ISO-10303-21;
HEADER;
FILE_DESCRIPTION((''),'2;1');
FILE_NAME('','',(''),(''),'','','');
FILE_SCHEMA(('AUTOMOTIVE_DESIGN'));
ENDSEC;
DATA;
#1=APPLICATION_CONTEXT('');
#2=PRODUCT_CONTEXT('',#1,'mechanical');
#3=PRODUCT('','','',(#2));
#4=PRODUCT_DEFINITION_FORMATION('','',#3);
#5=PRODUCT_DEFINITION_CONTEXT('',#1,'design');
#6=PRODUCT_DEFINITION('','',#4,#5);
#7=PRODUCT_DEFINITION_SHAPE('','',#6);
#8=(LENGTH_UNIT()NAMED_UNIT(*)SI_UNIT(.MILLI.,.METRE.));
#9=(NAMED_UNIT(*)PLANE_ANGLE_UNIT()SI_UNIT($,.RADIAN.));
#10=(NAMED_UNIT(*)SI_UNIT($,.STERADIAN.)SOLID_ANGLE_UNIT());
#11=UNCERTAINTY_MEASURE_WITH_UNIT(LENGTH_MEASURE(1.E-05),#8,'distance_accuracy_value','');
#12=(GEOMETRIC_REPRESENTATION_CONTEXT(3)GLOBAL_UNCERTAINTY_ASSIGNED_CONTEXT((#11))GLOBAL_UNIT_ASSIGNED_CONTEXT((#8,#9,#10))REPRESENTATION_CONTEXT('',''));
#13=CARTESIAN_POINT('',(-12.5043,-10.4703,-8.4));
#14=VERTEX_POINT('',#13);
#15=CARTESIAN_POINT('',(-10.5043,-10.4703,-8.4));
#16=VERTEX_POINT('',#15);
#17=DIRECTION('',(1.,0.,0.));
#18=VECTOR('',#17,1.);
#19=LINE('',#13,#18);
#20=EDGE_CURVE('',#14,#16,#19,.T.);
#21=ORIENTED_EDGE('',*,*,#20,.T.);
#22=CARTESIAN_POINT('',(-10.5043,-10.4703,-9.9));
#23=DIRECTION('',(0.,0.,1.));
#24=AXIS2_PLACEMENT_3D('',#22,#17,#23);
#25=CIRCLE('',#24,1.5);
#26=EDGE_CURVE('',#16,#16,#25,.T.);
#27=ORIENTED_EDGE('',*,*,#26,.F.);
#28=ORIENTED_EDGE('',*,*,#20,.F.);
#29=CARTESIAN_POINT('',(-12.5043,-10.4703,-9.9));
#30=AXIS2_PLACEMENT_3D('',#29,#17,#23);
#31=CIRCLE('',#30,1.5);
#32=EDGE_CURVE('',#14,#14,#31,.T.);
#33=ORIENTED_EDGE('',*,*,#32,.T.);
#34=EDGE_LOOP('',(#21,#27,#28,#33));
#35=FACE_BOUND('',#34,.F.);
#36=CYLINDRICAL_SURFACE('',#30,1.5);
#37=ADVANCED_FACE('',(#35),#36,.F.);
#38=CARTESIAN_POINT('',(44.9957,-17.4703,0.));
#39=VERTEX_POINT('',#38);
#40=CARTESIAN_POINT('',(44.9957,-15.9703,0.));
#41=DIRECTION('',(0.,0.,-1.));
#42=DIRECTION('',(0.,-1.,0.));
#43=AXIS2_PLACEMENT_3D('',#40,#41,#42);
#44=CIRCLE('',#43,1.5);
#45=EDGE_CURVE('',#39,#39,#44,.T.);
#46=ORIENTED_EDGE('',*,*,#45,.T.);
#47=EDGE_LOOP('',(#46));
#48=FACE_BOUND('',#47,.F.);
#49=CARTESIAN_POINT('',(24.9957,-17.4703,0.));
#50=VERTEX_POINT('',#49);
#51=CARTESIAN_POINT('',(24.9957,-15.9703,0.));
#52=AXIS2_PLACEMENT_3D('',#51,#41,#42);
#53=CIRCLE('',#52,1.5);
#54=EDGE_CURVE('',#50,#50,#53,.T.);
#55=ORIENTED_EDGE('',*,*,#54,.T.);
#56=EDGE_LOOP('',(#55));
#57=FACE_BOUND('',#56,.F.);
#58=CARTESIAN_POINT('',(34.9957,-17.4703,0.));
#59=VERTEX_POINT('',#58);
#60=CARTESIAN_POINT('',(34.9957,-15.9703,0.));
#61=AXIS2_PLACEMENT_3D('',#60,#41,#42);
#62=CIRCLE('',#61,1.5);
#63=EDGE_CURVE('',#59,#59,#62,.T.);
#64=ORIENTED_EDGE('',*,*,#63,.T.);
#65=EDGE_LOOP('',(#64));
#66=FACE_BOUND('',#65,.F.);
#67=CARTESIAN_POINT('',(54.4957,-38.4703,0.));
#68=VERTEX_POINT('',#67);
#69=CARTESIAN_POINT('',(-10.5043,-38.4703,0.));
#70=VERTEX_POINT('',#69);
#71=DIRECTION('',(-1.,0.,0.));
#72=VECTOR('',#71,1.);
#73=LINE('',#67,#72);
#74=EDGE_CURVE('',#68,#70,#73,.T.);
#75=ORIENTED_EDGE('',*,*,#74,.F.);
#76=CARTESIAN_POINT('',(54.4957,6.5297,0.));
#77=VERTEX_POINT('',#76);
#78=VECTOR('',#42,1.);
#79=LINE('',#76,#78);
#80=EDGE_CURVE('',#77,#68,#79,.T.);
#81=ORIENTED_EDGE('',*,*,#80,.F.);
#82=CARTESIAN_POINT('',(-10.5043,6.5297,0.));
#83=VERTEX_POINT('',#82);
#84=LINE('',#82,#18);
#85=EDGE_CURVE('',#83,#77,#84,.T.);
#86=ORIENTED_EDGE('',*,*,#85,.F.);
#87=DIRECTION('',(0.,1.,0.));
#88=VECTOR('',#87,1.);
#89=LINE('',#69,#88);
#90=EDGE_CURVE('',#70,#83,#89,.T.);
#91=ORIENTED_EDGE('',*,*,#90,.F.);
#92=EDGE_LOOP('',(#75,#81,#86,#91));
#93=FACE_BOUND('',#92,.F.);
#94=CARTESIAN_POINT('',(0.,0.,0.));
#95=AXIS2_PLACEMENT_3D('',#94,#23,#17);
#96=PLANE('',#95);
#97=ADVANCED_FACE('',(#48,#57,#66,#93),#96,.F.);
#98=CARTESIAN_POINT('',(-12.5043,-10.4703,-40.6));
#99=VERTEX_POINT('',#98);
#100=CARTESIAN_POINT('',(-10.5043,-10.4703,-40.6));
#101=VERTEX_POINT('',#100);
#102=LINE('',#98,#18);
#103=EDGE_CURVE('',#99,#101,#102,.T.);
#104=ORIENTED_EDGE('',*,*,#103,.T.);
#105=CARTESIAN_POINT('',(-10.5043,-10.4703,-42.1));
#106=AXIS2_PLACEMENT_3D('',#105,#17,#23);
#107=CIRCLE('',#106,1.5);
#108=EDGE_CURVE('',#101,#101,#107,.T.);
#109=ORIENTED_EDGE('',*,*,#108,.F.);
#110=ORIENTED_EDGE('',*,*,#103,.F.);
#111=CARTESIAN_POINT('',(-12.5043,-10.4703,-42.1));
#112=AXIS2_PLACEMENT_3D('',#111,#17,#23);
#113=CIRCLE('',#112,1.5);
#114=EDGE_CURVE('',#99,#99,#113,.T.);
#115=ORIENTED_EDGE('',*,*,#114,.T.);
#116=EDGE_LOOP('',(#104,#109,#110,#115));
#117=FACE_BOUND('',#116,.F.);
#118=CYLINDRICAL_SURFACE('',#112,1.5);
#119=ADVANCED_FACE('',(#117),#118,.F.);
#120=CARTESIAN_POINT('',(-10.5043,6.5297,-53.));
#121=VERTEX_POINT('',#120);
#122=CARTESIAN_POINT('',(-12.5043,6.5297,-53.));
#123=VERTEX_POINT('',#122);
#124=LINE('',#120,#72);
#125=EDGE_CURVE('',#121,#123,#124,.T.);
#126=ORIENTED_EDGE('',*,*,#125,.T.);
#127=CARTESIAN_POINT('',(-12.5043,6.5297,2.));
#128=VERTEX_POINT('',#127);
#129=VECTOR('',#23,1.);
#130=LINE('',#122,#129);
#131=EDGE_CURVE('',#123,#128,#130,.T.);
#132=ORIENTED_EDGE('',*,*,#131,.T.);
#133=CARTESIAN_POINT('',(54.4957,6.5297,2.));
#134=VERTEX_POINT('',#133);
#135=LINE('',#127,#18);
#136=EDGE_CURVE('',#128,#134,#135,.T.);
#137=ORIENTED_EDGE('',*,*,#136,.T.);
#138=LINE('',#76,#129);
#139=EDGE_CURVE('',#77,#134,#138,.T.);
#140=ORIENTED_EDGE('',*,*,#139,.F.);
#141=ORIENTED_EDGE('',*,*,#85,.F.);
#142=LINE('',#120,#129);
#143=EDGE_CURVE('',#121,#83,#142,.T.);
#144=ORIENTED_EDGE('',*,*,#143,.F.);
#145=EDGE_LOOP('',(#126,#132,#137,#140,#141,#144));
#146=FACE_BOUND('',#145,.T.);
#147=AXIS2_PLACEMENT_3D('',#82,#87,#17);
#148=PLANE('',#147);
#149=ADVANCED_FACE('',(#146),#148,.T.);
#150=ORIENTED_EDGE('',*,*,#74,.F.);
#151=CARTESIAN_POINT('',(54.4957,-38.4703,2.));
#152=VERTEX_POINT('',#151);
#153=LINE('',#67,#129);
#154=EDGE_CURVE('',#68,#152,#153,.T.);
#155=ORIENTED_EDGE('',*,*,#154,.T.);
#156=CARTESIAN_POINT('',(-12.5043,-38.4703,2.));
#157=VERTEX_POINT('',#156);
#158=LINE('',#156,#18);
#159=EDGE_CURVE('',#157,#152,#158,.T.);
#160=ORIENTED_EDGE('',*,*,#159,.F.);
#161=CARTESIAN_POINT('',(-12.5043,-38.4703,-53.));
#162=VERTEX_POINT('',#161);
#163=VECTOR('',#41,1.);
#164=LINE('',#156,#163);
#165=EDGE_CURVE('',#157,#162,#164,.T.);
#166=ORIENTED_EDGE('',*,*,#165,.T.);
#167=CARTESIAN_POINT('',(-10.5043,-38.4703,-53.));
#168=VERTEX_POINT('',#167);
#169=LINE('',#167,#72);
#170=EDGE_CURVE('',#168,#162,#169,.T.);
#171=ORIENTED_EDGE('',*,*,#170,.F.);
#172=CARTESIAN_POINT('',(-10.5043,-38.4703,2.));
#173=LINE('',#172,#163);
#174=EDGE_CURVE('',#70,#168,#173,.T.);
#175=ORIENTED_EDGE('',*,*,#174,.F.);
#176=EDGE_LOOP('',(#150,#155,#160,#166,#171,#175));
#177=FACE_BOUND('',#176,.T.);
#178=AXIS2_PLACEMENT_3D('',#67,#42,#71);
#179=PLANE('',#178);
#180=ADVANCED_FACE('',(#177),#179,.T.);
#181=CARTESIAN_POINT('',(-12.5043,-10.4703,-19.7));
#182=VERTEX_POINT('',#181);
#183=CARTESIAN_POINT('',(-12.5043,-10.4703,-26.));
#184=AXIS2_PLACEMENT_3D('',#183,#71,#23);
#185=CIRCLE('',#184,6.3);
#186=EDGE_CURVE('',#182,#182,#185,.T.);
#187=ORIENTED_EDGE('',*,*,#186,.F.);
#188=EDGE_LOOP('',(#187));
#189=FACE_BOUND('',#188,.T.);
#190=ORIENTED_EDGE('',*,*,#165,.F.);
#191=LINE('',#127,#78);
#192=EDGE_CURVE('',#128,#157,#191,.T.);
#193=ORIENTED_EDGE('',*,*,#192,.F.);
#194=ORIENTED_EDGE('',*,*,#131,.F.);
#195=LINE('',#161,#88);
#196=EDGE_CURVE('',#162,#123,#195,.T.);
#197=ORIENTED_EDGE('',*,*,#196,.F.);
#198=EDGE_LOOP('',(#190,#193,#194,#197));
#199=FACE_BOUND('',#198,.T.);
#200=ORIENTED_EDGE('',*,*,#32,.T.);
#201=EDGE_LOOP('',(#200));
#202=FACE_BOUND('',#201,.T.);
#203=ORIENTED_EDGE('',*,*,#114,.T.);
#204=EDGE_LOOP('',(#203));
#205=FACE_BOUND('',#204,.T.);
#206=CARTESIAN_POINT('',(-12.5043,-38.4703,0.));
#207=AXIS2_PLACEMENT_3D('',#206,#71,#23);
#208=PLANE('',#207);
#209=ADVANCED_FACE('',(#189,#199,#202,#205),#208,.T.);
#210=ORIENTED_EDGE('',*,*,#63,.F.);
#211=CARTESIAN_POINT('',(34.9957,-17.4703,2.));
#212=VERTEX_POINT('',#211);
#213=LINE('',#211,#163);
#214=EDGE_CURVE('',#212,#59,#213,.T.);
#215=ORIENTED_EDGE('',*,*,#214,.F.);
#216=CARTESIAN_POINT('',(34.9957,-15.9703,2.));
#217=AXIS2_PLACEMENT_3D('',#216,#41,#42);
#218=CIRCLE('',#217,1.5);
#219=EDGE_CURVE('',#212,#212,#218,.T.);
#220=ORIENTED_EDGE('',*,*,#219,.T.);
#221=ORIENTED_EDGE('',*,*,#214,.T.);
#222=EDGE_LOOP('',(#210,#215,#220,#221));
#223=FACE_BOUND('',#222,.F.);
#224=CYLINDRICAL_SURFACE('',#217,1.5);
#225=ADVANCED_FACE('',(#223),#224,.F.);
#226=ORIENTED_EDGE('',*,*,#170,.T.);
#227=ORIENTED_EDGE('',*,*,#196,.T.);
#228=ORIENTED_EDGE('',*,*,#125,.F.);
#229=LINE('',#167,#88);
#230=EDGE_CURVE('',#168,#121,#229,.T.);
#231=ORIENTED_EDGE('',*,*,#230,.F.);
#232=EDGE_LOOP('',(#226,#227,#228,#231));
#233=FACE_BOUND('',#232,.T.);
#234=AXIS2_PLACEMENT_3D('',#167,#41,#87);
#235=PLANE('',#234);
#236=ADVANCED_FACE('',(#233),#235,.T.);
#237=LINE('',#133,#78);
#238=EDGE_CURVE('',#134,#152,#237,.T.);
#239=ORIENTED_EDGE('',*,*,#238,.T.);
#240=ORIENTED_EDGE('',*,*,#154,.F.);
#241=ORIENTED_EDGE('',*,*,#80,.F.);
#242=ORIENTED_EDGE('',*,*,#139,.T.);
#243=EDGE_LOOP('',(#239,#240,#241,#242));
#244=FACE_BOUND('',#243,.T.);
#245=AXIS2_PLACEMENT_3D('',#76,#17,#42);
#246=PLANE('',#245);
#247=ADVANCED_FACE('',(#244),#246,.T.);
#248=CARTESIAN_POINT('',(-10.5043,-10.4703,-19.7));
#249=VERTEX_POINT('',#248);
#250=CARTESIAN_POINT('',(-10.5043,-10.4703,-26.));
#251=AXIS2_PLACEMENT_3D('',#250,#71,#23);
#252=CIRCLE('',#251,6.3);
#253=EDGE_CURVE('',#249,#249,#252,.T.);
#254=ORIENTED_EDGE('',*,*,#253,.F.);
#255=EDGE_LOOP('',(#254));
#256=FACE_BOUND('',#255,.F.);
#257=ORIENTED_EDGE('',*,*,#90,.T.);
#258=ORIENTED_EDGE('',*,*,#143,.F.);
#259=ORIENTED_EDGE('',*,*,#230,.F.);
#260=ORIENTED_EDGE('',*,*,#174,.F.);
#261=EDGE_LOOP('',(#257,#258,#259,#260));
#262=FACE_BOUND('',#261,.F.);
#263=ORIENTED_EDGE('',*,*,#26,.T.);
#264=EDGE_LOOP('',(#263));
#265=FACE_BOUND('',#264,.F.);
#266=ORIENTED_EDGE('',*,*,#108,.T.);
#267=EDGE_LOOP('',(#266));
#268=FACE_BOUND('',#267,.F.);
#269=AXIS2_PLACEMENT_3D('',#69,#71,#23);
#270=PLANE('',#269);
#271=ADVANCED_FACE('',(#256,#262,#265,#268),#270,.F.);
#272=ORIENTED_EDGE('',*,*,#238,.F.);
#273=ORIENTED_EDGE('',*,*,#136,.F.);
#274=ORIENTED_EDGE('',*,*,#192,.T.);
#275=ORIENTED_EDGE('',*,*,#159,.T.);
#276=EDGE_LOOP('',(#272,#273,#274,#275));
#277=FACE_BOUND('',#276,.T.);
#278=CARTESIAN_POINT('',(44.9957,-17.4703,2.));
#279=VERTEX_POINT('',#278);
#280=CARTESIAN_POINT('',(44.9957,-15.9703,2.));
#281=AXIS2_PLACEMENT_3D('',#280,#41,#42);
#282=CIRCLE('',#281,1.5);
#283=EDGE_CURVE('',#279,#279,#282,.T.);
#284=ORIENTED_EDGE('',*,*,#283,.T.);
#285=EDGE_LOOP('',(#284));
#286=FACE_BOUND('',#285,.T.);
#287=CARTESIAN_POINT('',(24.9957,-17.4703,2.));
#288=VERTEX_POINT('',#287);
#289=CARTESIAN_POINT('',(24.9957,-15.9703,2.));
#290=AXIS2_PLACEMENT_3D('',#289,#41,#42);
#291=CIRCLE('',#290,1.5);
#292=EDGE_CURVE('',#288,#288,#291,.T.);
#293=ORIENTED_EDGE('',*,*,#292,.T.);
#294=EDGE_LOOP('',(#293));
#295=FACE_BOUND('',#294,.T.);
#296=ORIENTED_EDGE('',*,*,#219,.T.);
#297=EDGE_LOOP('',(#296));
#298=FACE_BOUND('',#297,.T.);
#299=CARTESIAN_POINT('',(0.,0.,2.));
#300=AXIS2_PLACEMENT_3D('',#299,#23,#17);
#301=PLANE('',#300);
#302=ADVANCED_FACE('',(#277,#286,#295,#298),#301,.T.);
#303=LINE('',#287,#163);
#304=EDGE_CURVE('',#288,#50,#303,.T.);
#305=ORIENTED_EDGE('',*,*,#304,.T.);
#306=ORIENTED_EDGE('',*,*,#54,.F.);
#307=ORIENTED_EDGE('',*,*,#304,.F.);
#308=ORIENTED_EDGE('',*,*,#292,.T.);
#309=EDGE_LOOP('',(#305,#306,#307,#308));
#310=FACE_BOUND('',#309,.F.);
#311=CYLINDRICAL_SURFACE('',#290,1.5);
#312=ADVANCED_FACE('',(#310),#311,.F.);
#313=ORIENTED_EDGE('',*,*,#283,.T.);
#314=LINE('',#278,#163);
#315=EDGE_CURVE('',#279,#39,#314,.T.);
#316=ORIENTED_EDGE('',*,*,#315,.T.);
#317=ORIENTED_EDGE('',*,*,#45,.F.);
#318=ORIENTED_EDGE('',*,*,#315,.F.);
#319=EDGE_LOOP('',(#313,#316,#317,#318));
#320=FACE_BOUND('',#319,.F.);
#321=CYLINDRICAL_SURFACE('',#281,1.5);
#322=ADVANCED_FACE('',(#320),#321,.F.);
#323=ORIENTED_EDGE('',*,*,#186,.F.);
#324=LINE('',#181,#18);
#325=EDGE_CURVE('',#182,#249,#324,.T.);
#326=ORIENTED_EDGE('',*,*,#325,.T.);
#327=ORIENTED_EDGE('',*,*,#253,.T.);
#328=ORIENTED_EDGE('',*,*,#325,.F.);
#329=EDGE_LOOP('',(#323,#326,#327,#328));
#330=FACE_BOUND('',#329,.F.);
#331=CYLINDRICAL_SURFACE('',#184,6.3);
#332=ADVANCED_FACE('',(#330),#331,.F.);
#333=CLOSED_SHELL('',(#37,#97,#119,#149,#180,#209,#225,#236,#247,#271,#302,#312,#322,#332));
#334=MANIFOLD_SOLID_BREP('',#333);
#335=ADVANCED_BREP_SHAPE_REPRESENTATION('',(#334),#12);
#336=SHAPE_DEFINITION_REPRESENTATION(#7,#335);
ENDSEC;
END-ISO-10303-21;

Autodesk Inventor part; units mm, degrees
ref_plane "YZ Plane" through (0, 0, 0) normal (1, 0, 0) x (0, 1, 0)
ref_plane "XZ Plane" through (0, 0, 0) normal (0, 1, 0) x (-1, 0, 0)
ref_plane "XY Plane" through (0, 0, 0) normal (0, 0, 1) x (1, 0, 0)
sketch "スケッチ1" plane through (0, 0, 0) normal (0, 0, 1) x (1, 0, 0)
  line L0 (-10.5043, 6.5297) -> (54.4957, 6.5297)
  line L1 (54.4957, 6.5297) -> (54.4957, -38.4703)
  line L2 (54.4957, -38.4703) -> (-10.5043, -38.4703)
  line L3 (-10.5043, -38.4703) -> (-10.5043, 6.5297)
  point P0 (0, 0)
  dimension "d0" = 65
  dimension "d1" = 45
extrude "押し出し1" add sketch "スケッチ1" along normal blind 2
sketch "スケッチ2" plane through (-10.5043, -38.4703, 0) normal (-1, 0, 0) x (0, 0, 1)
  line L0 (-53, 45) -> (2, 45)
  line L1 (2, 45) -> (2, 0)
  line L2 (2, 0) -> (-53, 0)
  line L3 (-53, 0) -> (-53, 45)
  point P0 (0, 38.4703)
  point P1 (2, 45)
  dimension "d4" = 55
  dimension "d5" = 45
extrude "押し出し2" add sketch "スケッチ2" along normal blind 2
sketch "スケッチ3" plane through (-12.5043, -38.4703, 0) normal (-1, 0, 0) x (0, 0, 1)
  circle A0 centre (-26, 28) radius 6.3
  line L0 (2, 45) -> (-53, 45) projected
  line L1 (-53, 0) -> (2, 0) projected
  line L2 (-53, 45) -> (-53, 0) projected
  point P0 (0, 38.4703)
  dimension "d8" = 12.6
  dimension "d10" = 28
  dimension "d11" = 27
extrude "押し出し3" cut sketch "スケッチ3" against normal blind 2
sketch "スケッチ4" plane through (-12.5043, -38.4703, 0) normal (-1, 0, 0) x (0, 0, 1)
  circle A0 centre (-42.1, 28) radius 1.5
  circle A1 centre (-26, 28) radius 6.3 projected
  line L0 (-53, 0) -> (2, 0) projected
  circle A2 centre (-9.9, 28) radius 1.5
  point P0 (0, 38.4703)
  dimension "d14" = 3
  dimension "d15" = 16.1
  dimension "d16" = 28
  dimension "d17" = 3
  dimension "d18" = 16.1
hole "穴1" at (-12.5043, -10.4703, -42.1) at (-12.5043, -10.4703, -9.9) direction (1, 0, 0) diameter 3 depth 2
sketch "スケッチ5" plane through (0, 0, 2) normal (0, 0, 1) x (1, 0, 0)
  circle A0 centre (44.9957, -15.9703) radius 1.5
  line L0 (54.4957, -38.4703) -> (54.4957, 6.5297) projected
  line L1 (54.4957, 6.5297) -> (-12.5043, 6.5297) projected
  circle A1 centre (34.9957, -15.9703) radius 1.5
  circle A2 centre (24.9957, -15.9703) radius 1.5
  point P0 (0, 0)
  dimension "d26" = 3
  dimension "d27" = 9.5
  dimension "d28" = 22.5
  dimension "d29" = 3
  dimension "d30" = 3
  dimension "d31" = 10
  dimension "d32" = 10
hole "穴2" at (24.9957, -15.9703, 2) at (34.9957, -15.9703, 2) at (44.9957, -15.9703, 2) direction (0, 0, -1) diameter 3 depth 2
equation "\"BendRadius\" = Thickness"
equation "\"BendReliefWidth\" = Thickness"
equation "\"BendReliefDepth\" = 0.5 * Thickness"
equation "\"CornerReliefSize\" = 4 * Thickness"
equation "\"MinimumRemnant\" = 2 * Thickness"
equation "\"TransitionRadius\" = BendRadius"
equation "\"JacobiRadiusSize\" = BendRadius"
equation "\"GapSize\" = Thickness"
equation "\"Thickness\" = 0.5"
properties part number "nhk16" material "アルミニウム 6061"
